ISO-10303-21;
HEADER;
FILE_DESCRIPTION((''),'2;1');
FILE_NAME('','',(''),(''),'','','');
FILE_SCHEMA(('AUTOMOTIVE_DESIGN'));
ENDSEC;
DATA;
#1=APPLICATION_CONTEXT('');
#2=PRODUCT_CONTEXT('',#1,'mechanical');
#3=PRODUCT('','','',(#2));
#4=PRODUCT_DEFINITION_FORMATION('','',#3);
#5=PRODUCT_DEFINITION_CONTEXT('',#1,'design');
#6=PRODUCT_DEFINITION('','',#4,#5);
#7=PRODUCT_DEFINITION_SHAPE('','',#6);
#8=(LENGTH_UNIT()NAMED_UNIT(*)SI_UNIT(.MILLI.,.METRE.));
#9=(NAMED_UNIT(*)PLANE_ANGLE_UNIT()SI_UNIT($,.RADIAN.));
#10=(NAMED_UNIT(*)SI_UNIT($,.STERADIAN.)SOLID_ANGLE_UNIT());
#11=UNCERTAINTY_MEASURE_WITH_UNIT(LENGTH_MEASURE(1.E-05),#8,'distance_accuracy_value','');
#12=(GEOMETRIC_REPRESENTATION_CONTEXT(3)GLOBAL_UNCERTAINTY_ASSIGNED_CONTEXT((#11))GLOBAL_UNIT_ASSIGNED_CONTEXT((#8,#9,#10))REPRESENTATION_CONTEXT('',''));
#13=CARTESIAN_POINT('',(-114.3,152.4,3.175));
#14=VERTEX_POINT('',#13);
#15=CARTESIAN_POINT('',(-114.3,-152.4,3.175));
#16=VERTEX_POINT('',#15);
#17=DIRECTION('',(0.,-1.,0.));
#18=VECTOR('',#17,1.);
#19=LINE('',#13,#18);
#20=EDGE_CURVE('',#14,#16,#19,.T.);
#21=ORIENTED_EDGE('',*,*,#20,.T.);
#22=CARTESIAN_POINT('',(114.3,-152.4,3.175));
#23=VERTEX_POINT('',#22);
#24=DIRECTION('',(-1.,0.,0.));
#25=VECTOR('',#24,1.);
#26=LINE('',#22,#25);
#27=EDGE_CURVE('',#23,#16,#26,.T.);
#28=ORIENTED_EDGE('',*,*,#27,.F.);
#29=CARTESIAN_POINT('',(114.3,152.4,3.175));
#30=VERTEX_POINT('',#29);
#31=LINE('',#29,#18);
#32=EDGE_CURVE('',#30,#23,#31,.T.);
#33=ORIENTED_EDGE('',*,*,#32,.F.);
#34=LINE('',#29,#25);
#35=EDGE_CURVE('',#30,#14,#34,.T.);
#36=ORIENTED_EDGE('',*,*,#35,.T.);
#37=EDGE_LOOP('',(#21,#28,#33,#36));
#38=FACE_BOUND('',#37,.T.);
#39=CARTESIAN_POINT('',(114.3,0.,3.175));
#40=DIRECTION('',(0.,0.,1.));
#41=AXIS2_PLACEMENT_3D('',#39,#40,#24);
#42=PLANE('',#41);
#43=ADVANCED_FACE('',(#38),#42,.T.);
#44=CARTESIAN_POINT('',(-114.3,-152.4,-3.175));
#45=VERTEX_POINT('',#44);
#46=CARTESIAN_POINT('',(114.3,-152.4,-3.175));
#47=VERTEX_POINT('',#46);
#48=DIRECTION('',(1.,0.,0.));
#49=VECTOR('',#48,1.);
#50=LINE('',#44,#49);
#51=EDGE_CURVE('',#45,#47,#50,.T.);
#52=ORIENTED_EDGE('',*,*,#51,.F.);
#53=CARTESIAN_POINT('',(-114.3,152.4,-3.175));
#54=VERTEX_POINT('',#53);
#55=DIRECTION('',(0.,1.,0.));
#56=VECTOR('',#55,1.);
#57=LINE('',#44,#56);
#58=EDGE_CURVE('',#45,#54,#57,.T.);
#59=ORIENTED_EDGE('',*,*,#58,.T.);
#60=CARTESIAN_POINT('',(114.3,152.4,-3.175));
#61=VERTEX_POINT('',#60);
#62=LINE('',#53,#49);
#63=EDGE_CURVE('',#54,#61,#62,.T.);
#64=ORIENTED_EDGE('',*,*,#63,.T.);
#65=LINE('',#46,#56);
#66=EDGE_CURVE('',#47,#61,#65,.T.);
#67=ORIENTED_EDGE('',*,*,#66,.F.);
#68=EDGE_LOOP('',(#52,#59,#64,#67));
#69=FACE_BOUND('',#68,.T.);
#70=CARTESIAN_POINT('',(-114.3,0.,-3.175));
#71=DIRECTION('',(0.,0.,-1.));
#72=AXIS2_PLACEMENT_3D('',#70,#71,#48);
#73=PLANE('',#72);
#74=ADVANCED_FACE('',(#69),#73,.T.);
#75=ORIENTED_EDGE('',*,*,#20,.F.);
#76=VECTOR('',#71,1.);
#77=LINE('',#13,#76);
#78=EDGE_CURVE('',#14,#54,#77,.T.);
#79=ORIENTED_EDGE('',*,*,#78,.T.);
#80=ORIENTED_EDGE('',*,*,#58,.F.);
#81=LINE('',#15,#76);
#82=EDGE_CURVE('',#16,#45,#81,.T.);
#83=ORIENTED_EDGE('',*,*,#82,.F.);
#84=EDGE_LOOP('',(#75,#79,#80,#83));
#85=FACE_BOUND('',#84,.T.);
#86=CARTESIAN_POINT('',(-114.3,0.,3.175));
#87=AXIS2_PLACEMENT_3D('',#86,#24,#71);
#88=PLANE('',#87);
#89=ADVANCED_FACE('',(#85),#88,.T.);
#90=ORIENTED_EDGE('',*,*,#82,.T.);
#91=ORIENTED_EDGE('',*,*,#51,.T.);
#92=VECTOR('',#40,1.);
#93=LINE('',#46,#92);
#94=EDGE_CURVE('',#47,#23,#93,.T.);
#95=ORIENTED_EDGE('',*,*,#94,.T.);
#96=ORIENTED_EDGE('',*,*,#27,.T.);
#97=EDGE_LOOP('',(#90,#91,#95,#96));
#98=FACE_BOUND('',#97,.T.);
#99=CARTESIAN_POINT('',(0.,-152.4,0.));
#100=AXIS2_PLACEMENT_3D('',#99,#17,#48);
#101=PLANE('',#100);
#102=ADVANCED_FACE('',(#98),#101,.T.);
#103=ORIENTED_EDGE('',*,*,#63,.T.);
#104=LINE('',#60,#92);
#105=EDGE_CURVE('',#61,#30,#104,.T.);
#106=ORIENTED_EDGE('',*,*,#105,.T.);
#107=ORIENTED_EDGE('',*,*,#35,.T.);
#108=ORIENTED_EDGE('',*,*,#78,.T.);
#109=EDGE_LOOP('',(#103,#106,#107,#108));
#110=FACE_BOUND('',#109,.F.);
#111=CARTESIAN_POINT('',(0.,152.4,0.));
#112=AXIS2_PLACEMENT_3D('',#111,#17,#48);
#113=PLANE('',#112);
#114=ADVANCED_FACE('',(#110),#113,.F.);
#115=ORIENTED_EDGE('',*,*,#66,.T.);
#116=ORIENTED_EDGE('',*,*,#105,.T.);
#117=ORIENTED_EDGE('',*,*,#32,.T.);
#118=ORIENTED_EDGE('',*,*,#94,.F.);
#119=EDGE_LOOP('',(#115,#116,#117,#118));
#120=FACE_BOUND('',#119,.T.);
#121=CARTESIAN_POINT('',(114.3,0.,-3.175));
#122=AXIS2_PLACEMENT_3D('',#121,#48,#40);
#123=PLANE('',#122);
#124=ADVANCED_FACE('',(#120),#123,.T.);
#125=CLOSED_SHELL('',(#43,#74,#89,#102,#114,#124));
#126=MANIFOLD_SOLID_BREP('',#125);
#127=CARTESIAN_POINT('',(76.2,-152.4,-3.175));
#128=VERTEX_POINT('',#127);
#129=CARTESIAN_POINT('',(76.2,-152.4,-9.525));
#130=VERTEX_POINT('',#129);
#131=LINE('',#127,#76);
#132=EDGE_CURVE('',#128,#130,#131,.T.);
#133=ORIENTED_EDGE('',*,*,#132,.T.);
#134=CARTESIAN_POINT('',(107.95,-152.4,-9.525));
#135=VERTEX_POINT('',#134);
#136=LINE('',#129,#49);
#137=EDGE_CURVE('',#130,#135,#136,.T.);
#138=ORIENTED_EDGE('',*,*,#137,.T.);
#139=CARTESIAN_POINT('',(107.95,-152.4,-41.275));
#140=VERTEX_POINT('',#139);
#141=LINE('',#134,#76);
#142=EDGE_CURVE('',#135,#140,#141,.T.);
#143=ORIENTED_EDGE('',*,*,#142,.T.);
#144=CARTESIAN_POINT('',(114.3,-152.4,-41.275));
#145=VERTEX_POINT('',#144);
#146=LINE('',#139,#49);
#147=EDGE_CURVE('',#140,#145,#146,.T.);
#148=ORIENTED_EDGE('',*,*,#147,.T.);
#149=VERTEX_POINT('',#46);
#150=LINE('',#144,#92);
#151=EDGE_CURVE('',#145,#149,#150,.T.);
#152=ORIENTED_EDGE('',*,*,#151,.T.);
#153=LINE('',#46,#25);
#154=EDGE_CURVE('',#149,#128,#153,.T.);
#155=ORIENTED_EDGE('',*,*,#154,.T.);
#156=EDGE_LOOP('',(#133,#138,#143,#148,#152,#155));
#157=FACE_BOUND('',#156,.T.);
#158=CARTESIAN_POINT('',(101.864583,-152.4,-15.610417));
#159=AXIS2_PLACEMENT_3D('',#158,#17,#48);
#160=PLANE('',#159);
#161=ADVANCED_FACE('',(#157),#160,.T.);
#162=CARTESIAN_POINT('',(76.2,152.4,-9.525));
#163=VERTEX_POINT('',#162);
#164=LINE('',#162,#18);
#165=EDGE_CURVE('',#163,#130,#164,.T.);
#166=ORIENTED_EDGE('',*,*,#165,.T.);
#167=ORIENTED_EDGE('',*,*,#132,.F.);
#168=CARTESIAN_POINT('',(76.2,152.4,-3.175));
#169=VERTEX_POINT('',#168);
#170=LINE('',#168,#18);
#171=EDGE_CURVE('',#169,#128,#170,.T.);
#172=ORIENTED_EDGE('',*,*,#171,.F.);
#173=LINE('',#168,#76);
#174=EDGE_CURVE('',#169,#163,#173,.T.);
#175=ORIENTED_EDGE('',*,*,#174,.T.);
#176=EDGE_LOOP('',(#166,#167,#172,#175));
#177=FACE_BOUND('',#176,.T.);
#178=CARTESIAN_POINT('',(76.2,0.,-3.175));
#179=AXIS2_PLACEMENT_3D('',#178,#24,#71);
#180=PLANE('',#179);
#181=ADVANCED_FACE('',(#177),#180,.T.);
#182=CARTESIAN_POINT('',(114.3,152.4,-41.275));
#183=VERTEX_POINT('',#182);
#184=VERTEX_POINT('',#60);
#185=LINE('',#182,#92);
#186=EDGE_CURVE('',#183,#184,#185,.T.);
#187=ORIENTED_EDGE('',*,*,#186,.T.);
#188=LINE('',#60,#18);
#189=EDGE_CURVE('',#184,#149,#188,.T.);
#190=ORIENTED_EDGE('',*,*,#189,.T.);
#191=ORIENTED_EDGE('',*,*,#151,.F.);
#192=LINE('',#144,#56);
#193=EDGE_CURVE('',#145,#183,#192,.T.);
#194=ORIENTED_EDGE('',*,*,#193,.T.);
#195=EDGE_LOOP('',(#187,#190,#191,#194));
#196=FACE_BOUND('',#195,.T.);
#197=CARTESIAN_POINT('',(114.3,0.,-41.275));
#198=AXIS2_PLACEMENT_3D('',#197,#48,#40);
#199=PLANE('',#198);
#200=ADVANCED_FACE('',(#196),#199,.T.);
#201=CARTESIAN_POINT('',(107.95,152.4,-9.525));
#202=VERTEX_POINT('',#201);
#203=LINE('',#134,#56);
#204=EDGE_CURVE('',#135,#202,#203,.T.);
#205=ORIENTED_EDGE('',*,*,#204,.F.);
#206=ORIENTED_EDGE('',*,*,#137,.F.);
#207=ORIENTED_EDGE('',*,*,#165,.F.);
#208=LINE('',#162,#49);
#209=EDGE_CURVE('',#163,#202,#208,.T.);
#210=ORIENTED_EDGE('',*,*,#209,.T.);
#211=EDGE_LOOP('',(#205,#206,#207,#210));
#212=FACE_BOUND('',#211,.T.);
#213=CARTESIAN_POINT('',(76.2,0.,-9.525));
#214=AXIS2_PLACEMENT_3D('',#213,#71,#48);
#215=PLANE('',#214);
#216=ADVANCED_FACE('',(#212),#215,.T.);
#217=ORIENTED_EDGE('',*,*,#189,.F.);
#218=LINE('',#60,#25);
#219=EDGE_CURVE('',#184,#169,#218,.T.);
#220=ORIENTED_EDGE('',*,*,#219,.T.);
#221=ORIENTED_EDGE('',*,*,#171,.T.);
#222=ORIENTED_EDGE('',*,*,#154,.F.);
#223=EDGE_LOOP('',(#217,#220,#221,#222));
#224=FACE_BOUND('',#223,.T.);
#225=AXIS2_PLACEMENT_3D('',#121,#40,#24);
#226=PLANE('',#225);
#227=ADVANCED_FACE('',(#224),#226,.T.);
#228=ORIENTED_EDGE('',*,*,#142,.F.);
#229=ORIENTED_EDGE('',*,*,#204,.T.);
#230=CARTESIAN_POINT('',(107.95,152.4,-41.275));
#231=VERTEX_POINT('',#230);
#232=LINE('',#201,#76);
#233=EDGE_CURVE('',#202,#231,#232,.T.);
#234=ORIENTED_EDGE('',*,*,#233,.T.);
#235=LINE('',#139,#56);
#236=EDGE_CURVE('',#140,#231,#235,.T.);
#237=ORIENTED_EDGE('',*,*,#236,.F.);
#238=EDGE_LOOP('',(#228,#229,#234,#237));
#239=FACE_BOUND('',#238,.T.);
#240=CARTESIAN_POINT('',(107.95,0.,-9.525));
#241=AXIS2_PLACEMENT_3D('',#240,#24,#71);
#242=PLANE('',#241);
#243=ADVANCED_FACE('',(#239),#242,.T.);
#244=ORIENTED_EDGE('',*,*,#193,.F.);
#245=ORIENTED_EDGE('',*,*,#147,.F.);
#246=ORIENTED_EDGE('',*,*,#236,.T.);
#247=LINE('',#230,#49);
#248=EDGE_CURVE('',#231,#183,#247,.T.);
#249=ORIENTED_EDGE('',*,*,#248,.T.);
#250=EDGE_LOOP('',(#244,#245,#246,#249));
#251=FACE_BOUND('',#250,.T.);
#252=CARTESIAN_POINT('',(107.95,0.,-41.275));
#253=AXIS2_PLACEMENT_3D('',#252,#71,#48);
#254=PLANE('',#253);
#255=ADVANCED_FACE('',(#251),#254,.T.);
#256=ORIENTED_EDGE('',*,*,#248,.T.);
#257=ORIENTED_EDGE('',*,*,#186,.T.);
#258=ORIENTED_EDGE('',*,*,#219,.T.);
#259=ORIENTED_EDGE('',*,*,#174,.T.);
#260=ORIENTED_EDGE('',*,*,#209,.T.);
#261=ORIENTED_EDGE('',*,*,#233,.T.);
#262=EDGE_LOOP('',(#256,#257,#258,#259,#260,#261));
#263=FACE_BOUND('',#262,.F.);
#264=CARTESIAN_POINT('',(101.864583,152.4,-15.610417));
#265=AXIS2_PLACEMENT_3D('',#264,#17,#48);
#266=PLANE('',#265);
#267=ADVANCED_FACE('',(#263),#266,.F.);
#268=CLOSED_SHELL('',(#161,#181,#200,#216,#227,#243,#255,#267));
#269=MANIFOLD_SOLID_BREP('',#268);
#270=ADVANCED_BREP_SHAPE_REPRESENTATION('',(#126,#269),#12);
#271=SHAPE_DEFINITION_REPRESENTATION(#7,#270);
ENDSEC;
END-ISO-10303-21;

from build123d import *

# Parameters (mm, degrees)
F1_DEPTH = 152.4
F2_DEPTH = 152.4


with BuildPart() as f1:
    # F0 (on Front) → F1 (new body, symmetric)
    with BuildSketch(Plane.XZ):
        Polygon((76.2, -3.175), (114.3, -3.175), (114.3, 3.175), (-114.3, 3.175), (-114.3, -3.175), align=None)
    extrude(amount=F1_DEPTH, both=True)


with BuildPart() as f2:
    # F0 (on Front) → F2 (new body, symmetric)
    with BuildSketch(Plane.XZ):
        Polygon((114.3, -41.275), (114.3, -3.175), (76.2, -3.175), (76.2, -9.525), (107.95, -9.525), (107.95, -41.275), align=None)
    extrude(amount=F2_DEPTH, both=True)


solid = Compound([f1.part, f2.part])
